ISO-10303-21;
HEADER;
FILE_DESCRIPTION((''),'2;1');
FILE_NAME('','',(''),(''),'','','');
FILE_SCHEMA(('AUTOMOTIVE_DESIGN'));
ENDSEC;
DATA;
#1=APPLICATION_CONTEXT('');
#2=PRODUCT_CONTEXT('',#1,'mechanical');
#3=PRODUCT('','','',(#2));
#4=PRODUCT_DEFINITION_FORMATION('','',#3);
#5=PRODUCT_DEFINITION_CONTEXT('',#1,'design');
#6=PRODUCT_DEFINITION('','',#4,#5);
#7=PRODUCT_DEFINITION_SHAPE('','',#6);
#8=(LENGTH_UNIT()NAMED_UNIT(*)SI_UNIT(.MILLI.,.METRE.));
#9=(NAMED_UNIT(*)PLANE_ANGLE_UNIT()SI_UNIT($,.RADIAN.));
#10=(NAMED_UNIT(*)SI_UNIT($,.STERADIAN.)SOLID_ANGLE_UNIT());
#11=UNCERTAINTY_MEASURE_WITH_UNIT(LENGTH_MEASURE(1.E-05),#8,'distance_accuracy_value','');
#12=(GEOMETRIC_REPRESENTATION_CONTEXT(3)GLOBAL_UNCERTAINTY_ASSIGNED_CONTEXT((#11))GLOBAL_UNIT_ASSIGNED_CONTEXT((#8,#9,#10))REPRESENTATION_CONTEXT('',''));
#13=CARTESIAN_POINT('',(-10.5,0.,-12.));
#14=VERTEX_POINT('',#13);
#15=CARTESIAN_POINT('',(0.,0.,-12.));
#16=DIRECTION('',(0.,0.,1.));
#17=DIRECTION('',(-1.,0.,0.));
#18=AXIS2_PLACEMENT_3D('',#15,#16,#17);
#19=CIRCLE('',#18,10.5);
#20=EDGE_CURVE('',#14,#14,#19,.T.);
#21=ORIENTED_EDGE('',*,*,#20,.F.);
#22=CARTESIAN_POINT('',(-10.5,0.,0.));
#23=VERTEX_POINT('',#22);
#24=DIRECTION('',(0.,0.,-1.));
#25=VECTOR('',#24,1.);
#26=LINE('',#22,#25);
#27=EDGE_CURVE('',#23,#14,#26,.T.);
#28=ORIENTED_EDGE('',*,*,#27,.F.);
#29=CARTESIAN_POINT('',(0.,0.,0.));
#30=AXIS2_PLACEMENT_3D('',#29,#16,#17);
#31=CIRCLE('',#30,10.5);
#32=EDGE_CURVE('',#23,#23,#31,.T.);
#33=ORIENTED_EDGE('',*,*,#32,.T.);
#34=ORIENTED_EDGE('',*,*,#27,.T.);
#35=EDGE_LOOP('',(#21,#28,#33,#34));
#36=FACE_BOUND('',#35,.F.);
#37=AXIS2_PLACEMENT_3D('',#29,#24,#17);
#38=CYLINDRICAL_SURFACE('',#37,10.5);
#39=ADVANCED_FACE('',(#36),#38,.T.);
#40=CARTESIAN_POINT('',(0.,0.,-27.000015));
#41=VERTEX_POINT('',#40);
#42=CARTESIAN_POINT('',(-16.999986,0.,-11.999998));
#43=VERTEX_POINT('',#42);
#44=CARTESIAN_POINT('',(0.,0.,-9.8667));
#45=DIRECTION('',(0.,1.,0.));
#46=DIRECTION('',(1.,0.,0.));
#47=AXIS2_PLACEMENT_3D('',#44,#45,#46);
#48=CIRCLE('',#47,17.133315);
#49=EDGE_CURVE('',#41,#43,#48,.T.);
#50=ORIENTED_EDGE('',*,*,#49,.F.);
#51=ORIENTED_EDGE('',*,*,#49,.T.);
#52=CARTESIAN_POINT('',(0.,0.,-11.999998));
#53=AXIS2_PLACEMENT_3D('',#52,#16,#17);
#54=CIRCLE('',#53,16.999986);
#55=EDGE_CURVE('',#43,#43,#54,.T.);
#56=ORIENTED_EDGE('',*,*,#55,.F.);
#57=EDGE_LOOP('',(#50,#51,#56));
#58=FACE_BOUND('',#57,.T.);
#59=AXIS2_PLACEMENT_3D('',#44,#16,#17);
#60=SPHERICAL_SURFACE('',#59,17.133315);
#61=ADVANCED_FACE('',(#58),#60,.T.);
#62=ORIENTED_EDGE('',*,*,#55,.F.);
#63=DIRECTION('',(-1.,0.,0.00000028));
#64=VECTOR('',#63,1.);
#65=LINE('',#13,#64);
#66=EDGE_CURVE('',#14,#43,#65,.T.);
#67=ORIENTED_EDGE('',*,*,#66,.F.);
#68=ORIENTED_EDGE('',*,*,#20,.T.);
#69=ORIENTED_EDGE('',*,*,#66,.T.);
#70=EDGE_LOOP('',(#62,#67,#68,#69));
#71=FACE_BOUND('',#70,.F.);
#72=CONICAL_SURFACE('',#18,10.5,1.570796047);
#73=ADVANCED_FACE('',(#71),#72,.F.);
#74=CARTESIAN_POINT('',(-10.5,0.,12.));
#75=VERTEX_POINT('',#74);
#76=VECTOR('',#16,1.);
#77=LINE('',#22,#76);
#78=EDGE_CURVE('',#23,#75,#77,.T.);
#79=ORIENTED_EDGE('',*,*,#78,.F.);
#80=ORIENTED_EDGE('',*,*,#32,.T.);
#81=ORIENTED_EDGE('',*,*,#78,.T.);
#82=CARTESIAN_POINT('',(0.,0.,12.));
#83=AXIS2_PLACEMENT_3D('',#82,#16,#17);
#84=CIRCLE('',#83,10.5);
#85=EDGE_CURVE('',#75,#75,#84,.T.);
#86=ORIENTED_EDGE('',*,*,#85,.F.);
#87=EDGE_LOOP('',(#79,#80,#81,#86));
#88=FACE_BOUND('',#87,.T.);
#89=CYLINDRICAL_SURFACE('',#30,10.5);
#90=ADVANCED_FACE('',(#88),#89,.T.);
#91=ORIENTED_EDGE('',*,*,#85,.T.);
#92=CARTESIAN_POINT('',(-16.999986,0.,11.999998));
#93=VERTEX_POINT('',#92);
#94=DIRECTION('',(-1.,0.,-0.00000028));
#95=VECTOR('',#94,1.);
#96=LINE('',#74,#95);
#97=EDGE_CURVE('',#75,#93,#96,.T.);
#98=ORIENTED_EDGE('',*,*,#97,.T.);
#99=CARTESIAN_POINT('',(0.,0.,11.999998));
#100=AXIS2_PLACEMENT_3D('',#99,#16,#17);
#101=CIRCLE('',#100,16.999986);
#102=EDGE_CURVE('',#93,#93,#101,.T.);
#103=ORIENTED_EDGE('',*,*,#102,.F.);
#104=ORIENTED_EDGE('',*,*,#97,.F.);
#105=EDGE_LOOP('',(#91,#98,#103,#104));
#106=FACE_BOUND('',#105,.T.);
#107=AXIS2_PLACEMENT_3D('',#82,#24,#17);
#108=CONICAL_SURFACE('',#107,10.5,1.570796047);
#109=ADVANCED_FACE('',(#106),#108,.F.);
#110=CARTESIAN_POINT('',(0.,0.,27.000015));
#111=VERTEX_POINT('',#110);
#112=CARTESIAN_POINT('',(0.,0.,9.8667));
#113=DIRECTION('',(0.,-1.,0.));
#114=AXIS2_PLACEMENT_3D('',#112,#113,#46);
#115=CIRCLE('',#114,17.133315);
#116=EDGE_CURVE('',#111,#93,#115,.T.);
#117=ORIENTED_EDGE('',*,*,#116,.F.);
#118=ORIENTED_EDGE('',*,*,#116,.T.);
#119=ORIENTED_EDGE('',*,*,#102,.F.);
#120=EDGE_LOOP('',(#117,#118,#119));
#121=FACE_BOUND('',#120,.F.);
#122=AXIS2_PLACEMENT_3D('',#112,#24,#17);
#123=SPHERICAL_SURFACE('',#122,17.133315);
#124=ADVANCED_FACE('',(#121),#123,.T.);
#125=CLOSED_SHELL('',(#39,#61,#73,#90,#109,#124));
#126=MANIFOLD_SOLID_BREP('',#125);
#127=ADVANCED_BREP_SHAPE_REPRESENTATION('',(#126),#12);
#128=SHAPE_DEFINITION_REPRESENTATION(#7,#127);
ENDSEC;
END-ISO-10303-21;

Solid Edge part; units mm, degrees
sketch "Sketch1" plane through (0, 0, 0) normal (0, -1, 0) x (1, 0, 0)
  line L0 (0, 0) -> (0, -27)
  arc A0 (0, -27) -> (-17, -12) centre (0, -9.8667) cw
  line L1 (-10.5, -12) -> (-17, -12)
  line L2 (-10.5, 0) -> (-10.5, -12)
  line L3 (-10.5, 0) -> (-10.5, 12)
  line L4 (-10.5, 12) -> (-17, 12)
  arc A1 (0, 27) -> (-17, 12) centre (0, 9.8667) ccw
  line L5 (0, 0) -> (0, 27)
revolve "RevolvedProtrusion1" add sketch "Sketch1" angle 360 about axis through (0, 0, 0) along (0, 0, 1)
